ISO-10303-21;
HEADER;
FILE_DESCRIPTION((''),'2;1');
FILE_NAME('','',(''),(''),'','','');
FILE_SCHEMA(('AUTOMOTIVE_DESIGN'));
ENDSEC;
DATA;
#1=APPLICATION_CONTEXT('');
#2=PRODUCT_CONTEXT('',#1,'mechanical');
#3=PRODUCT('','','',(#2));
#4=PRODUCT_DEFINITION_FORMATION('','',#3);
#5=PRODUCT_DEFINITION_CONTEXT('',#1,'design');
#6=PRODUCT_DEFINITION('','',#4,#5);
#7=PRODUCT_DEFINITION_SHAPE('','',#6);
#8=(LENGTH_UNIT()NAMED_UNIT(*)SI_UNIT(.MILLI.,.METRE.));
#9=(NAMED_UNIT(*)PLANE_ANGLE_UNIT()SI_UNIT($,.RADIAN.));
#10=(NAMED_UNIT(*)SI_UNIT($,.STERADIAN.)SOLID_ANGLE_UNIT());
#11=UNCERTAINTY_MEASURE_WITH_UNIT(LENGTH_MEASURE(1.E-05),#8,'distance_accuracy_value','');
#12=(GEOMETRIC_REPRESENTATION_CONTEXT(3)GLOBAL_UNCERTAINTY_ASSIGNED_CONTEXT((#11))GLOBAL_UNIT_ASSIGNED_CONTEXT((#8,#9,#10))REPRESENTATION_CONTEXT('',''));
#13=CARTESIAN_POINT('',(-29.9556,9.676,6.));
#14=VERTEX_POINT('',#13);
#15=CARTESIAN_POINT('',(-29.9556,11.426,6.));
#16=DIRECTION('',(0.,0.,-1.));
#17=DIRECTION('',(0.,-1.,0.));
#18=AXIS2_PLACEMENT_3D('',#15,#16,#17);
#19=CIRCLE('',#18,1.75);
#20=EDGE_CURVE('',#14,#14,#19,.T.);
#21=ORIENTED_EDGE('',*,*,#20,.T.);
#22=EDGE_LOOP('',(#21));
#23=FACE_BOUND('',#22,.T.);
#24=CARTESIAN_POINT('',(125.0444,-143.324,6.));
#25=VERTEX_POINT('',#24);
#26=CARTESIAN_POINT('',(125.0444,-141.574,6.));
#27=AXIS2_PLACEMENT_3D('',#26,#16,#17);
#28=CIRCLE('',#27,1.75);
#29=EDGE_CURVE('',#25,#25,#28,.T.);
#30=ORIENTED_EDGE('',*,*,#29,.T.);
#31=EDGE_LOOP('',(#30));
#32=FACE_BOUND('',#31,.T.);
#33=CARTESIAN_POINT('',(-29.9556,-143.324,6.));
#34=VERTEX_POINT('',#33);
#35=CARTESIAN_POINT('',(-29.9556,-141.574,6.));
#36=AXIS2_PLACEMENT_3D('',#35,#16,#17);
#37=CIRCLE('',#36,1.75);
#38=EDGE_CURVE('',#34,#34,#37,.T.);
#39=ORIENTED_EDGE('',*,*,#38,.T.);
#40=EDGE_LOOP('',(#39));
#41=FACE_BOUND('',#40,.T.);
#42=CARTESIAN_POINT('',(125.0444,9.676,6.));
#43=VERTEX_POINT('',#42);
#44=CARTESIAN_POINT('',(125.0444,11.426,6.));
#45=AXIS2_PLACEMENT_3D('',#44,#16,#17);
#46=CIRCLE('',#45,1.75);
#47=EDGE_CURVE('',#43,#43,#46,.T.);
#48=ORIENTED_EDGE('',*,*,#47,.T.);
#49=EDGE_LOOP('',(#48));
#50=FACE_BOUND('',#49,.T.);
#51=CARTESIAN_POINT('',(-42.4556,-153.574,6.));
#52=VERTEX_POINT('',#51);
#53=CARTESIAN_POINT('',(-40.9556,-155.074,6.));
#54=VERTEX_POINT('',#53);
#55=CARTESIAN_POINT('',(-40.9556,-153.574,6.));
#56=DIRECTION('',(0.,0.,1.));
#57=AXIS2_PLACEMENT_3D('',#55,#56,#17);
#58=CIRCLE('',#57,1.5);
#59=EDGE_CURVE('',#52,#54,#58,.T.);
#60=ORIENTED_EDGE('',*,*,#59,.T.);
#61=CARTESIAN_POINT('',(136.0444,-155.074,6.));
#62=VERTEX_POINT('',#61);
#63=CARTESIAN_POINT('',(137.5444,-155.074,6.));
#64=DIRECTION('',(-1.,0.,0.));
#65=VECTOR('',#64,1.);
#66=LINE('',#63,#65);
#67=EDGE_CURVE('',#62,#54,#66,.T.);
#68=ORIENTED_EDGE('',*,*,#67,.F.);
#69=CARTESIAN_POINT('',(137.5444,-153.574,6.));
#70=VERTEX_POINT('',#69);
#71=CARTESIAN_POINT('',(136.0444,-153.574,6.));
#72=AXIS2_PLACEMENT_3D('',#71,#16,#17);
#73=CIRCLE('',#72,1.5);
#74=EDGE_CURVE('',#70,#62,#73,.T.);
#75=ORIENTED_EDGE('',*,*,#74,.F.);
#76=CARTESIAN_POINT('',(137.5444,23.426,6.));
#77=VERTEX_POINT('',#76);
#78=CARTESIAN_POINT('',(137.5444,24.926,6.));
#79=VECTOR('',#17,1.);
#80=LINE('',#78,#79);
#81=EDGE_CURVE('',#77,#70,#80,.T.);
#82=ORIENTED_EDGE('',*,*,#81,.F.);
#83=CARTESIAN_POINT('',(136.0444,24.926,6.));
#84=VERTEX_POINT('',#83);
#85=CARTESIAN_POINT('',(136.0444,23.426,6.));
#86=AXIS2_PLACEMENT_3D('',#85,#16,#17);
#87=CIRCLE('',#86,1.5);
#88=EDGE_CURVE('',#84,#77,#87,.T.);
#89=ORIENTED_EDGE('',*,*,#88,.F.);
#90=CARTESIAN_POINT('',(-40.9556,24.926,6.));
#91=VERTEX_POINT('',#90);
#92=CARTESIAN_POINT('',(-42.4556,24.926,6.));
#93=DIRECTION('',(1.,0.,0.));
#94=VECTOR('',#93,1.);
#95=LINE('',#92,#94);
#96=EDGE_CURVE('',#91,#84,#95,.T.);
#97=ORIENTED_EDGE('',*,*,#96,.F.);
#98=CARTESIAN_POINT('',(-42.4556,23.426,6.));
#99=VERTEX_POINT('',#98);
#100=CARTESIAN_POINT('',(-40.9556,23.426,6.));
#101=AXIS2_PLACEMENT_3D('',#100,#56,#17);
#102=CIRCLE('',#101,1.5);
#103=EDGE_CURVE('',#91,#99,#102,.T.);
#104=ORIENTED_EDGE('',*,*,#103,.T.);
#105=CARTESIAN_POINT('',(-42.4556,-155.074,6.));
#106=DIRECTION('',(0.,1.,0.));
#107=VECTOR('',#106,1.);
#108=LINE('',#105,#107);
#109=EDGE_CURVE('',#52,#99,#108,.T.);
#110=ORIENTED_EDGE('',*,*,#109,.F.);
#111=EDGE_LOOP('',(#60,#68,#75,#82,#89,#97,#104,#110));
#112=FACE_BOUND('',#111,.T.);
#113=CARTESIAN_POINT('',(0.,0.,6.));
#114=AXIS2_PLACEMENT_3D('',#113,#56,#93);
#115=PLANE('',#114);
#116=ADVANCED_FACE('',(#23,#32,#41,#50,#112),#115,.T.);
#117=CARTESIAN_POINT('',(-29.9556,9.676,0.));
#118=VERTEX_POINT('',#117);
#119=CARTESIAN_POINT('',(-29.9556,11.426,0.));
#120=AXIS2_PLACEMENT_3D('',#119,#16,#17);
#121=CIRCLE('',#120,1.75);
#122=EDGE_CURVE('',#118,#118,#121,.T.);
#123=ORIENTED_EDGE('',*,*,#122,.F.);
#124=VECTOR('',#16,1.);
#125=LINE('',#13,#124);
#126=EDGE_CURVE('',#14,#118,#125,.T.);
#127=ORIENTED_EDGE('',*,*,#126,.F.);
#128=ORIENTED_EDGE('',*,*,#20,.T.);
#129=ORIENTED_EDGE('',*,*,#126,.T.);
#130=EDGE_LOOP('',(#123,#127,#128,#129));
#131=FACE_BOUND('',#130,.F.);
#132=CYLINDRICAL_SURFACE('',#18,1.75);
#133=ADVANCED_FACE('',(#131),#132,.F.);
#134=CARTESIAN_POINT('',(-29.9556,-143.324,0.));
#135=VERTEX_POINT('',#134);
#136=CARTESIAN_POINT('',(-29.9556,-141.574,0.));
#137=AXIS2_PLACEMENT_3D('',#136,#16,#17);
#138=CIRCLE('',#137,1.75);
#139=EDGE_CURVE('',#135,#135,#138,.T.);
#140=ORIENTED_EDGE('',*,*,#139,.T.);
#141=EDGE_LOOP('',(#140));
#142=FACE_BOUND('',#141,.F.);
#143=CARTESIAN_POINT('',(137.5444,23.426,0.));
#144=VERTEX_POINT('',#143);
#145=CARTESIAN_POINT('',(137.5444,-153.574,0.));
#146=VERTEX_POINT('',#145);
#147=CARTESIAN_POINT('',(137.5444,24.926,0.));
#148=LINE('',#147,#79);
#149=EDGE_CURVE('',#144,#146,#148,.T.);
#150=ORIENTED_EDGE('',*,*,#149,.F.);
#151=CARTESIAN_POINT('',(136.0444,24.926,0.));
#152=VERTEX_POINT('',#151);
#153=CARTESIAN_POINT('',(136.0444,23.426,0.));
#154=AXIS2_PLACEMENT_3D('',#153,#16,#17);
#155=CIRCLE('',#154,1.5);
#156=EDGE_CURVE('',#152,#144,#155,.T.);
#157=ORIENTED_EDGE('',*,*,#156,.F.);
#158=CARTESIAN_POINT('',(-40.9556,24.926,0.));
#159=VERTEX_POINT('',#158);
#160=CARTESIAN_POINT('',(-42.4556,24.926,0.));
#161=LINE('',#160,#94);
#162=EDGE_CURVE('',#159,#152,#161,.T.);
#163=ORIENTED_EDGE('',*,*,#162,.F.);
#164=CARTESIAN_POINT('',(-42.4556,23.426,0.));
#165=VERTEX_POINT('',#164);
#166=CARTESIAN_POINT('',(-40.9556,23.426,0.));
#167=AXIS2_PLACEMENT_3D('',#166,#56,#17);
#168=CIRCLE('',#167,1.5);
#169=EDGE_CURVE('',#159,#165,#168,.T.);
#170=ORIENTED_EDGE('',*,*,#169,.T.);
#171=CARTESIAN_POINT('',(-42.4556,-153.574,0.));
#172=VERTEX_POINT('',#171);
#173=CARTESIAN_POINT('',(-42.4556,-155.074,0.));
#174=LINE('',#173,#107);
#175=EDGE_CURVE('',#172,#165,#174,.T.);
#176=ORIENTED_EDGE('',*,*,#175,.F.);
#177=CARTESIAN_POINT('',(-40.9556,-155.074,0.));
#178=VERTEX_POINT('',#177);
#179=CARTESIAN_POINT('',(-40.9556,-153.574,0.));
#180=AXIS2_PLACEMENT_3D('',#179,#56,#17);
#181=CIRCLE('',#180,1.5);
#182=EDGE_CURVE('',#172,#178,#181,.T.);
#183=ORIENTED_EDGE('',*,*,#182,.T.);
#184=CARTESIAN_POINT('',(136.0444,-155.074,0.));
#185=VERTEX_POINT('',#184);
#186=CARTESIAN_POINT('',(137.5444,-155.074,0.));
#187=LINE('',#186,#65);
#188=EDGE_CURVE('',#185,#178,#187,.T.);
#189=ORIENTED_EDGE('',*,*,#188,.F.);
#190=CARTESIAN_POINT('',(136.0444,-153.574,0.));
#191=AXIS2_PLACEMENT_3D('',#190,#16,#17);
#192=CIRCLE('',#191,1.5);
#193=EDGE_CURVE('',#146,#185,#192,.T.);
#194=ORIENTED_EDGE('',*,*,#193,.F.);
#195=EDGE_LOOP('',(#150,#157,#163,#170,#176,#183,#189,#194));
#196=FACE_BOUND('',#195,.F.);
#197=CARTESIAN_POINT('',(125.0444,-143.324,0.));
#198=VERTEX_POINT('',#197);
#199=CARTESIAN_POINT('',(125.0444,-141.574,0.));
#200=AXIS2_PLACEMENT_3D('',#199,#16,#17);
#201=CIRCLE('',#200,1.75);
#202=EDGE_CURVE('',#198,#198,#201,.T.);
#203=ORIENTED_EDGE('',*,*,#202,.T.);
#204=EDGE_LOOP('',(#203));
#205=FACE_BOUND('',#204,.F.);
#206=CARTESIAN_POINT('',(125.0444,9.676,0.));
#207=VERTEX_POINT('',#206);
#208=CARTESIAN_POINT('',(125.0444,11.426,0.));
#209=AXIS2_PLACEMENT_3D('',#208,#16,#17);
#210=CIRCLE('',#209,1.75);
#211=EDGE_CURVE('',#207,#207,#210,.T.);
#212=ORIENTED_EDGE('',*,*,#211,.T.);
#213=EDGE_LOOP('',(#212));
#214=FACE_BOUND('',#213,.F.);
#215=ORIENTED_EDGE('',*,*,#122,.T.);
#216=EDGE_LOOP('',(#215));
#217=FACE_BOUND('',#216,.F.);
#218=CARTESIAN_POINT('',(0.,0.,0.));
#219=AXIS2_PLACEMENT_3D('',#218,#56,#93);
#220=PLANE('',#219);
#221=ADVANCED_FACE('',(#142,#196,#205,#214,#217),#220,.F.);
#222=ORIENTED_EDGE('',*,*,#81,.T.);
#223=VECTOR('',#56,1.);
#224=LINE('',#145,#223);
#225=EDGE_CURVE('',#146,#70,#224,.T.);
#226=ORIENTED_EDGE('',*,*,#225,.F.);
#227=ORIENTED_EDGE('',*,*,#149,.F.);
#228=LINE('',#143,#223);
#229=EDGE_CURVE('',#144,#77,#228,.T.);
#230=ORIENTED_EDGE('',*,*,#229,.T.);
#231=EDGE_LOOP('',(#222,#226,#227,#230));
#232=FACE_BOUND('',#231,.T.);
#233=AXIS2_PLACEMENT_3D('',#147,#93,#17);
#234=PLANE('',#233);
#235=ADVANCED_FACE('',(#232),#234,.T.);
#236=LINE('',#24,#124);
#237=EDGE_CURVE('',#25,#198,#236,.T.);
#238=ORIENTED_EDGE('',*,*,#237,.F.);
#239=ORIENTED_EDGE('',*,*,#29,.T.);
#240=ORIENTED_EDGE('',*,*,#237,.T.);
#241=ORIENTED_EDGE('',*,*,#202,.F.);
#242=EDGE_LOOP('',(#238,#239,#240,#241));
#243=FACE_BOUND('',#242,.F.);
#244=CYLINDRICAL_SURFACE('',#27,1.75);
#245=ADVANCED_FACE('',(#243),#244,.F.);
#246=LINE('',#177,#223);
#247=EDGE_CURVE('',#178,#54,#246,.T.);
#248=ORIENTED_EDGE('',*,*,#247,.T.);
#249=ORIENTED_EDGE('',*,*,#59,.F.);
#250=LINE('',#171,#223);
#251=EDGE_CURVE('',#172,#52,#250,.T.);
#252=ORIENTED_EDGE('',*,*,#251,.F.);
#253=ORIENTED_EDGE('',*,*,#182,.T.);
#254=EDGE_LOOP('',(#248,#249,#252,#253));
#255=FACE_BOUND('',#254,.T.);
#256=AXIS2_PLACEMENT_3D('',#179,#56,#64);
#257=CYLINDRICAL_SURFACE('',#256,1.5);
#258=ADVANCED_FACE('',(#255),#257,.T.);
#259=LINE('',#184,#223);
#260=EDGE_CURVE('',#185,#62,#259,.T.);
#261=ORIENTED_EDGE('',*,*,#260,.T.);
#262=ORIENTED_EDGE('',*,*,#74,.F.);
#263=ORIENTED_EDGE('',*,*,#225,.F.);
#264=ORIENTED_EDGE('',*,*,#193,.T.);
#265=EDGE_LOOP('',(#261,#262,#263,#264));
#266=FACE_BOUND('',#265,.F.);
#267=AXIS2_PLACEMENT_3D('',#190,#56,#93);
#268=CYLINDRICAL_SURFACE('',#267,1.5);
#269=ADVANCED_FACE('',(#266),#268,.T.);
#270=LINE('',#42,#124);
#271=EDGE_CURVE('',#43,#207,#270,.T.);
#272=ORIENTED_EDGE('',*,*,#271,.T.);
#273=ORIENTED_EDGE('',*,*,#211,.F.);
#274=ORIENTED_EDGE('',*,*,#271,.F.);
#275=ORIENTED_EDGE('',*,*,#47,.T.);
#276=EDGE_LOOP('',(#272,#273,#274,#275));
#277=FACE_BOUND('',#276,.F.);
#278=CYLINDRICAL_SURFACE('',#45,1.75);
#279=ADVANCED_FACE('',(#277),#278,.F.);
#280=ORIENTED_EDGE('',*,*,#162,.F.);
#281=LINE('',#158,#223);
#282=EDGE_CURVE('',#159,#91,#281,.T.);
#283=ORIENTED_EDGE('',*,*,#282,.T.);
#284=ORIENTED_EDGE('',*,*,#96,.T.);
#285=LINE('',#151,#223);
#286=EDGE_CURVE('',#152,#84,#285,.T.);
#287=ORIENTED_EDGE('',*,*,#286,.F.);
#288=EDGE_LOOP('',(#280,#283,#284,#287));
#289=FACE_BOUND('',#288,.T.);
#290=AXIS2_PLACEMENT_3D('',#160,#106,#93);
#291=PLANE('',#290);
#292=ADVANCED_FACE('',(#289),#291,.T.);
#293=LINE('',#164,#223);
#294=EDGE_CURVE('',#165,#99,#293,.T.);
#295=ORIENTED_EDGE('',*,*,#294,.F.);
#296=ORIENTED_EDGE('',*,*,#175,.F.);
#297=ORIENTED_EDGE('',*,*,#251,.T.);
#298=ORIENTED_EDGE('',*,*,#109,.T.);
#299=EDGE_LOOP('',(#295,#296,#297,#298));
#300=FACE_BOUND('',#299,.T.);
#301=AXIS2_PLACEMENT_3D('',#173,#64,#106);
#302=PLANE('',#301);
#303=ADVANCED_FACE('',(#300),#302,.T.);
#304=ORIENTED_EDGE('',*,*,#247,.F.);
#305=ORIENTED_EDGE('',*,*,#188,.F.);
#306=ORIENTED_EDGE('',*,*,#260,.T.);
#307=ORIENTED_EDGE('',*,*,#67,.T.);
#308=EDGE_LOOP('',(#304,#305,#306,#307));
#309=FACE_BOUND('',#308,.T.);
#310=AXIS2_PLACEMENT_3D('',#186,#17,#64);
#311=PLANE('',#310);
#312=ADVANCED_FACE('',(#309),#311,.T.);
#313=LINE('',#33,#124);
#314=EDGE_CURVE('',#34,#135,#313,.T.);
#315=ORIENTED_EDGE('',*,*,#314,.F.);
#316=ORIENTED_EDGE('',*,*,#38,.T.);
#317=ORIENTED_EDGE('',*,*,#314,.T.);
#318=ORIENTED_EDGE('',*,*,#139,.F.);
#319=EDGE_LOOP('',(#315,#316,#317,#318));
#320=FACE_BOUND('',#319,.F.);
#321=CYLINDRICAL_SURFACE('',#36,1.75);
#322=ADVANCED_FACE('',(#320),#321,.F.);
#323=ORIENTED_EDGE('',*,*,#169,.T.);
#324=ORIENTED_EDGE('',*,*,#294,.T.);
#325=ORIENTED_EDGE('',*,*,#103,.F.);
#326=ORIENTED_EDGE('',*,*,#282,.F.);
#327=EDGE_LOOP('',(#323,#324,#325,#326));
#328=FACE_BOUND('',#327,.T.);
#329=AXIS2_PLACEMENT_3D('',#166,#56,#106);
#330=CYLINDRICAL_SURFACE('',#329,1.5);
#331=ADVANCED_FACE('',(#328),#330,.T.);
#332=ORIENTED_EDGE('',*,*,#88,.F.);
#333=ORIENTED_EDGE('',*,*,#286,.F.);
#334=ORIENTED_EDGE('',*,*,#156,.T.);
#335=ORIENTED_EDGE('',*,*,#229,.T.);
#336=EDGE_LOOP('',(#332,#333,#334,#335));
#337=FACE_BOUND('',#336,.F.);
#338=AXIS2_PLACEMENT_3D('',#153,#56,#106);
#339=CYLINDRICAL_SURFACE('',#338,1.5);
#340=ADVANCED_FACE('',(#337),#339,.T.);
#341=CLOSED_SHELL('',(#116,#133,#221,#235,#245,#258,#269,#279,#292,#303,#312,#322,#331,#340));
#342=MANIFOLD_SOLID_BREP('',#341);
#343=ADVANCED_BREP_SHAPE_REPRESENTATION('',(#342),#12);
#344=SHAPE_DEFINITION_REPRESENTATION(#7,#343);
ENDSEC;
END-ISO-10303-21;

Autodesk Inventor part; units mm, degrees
ref_plane "YZ Plane" through (0, 0, 0) normal (1, 0, 0) x (0, 1, 0)
ref_plane "XZ Plane" through (0, 0, 0) normal (0, 1, 0) x (-1, 0, 0)
ref_plane "XY Plane" through (0, 0, 0) normal (0, 0, 1) x (1, 0, 0)
sketch "Esquisse1" plane through (0, 0, 0) normal (0, 0, 1) x (1, 0, 0)
  line L0 (-42.4556, 24.926) -> (137.5444, 24.926)
  line L1 (137.5444, 24.926) -> (137.5444, -155.074)
  line L2 (137.5444, -155.074) -> (-42.4556, -155.074)
  line L3 (-42.4556, -155.074) -> (-42.4556, 24.926)
  point P0 (0, 0)
  dimension "d0" = 180
  dimension "d1" = 180
extrude "Extrusion1" add sketch "Esquisse1" along normal blind 6
sketch "Esquisse2" plane through (0, 0, 6) normal (0, 0, 1) x (1, 0, 0)
  circle A0 centre (-29.9556, 11.426) radius 2.2339
  circle A1 centre (125.0444, 11.426) radius 4.5426
  circle A2 centre (125.0444, -141.574) radius 4.8644
  circle A3 centre (-29.9556, -141.574) radius 7.3197
  line L0 (-42.4556, 24.926) -> (-42.4556, -155.074) projected
  line L1 (-42.4556, -155.074) -> (137.5444, -155.074) projected
  line L2 (137.5444, -155.074) -> (137.5444, 24.926) projected
  line L3 (137.5444, 24.926) -> (-42.4556, 24.926) projected
  point P0 (0, 0)
  dimension "d19" = 153
  dimension "d20" = 155
  dimension "d21" = 153
  dimension "d22" = 155
  dimension "d25" = 12.5
  dimension "d26" = 12.5
  dimension "d27" = 13.5
  dimension "d28" = 13.5
hole "Perçage1" at (-29.9556, 11.426, 6) at (125.0444, 11.426, 6) at (125.0444, -141.574, 6) at (-29.9556, -141.574, 6) direction (0, 0, -1) diameter 3.5 end through all
fillet "Congé2" radius 1.5 4 edges at (-42.4556, 24.926, 3) (137.5444, 24.926, 3) (137.5444, -155.074, 3) (-42.4556, -155.074, 3)
properties part number "Etage"
